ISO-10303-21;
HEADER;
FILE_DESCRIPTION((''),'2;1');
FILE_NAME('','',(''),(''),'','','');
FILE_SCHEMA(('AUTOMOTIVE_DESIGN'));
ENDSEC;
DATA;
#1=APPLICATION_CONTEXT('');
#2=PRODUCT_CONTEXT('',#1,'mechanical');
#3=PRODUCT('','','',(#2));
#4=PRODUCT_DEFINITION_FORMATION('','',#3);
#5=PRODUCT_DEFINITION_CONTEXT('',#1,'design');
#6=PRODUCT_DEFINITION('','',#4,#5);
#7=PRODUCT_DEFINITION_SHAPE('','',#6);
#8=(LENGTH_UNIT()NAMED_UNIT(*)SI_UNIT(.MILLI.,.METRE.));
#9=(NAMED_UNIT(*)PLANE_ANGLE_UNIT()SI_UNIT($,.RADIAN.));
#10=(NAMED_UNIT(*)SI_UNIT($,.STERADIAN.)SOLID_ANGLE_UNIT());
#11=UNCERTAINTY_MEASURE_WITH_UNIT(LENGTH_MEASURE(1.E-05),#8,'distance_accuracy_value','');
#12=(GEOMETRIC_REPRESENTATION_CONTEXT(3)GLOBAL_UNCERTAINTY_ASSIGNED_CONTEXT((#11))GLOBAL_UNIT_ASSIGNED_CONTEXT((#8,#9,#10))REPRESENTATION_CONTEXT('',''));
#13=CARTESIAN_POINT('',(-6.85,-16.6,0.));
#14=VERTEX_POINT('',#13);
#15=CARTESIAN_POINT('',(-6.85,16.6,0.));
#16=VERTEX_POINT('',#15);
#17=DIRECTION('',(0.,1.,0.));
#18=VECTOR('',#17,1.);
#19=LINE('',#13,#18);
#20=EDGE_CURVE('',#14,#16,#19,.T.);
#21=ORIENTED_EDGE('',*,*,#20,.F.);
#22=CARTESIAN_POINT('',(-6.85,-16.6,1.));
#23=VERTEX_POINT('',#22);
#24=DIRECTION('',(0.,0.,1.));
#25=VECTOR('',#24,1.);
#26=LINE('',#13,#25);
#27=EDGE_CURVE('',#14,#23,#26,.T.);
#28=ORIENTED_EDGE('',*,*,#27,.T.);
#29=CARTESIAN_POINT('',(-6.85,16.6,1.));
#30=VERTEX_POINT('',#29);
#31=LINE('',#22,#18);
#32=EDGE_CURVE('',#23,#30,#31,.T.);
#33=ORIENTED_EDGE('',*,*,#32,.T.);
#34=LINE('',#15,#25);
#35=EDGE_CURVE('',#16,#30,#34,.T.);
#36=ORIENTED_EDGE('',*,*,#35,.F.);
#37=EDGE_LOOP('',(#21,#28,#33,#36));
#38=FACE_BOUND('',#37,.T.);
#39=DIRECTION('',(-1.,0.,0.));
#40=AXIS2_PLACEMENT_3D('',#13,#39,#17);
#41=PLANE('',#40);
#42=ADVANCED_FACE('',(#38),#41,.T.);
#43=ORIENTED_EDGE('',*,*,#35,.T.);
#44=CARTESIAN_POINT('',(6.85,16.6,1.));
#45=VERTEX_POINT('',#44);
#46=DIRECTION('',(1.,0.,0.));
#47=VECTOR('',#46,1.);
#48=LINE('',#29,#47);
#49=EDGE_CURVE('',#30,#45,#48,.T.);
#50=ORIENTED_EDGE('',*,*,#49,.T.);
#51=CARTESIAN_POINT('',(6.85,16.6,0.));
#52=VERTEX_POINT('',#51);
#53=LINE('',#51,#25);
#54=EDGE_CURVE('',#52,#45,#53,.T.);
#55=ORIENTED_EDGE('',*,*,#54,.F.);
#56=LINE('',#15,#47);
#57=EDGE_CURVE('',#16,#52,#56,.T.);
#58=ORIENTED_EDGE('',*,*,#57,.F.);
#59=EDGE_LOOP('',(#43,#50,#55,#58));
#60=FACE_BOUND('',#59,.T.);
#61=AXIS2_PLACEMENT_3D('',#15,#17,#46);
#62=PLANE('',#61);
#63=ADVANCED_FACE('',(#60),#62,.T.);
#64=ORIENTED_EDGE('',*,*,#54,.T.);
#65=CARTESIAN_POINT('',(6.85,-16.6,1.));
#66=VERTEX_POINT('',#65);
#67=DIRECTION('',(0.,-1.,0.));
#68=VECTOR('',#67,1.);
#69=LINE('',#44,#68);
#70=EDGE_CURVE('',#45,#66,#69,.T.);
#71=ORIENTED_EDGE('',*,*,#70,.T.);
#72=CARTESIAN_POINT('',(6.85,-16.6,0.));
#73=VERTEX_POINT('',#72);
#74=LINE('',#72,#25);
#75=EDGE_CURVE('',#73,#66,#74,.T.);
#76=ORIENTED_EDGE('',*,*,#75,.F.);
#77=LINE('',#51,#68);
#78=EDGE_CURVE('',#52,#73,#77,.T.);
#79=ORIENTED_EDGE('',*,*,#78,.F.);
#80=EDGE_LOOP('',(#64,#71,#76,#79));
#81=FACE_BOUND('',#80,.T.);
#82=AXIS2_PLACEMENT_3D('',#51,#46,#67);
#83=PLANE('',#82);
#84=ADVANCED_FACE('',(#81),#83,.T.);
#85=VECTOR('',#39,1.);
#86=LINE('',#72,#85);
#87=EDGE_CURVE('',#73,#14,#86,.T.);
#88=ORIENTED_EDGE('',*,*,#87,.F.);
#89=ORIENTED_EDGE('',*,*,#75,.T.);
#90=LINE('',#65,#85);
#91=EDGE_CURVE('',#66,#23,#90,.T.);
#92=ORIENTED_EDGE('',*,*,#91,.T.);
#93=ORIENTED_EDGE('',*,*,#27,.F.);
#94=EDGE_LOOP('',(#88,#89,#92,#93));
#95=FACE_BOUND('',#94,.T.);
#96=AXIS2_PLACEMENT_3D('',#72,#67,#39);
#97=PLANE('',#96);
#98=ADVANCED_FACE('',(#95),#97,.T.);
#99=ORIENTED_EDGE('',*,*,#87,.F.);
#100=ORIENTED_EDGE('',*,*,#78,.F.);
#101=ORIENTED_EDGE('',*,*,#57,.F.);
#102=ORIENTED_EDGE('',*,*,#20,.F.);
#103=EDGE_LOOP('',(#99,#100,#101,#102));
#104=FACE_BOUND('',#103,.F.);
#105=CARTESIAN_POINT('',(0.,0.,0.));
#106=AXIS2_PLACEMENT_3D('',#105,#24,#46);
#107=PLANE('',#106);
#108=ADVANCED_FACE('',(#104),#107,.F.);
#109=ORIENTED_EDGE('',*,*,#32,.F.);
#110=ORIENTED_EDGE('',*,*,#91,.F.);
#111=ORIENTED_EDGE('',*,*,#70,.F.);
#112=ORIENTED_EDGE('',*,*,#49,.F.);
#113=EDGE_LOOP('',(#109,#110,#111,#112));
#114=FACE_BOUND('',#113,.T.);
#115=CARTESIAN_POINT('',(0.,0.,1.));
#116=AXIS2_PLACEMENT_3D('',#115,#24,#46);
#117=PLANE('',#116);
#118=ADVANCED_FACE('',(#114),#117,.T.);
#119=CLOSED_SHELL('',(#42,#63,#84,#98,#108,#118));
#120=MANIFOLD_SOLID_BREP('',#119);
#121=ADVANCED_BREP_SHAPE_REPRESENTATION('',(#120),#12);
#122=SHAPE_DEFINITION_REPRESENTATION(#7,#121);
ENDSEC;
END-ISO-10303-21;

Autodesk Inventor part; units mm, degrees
ref_plane "YZ Plane" through (0, 0, 0) normal (1, 0, 0) x (0, 1, 0)
ref_plane "XZ Plane" through (0, 0, 0) normal (0, 1, 0) x (-1, 0, 0)
ref_plane "XY Plane" through (0, 0, 0) normal (0, 0, 1) x (1, 0, 0)
sketch "OKY2T10, OKY2-T_10-D12_120" plane through (0, 0, 0) normal (0, 0, 1) x (1, 0, 0)
  line L0 (-6.85, -16.6) -> (-6.85, 16.6)
  line L1 (-6.85, 16.6) -> (6.85, 16.6)
  line L2 (6.85, 16.6) -> (6.85, -16.6)
  line L3 (6.85, -16.6) -> (-6.85, -16.6)
extrude "Extrusion1" add sketch "OKY2T10, OKY2-T_10-D12_120" along normal blind 1
properties part number "OKY2-T/10-D12"
